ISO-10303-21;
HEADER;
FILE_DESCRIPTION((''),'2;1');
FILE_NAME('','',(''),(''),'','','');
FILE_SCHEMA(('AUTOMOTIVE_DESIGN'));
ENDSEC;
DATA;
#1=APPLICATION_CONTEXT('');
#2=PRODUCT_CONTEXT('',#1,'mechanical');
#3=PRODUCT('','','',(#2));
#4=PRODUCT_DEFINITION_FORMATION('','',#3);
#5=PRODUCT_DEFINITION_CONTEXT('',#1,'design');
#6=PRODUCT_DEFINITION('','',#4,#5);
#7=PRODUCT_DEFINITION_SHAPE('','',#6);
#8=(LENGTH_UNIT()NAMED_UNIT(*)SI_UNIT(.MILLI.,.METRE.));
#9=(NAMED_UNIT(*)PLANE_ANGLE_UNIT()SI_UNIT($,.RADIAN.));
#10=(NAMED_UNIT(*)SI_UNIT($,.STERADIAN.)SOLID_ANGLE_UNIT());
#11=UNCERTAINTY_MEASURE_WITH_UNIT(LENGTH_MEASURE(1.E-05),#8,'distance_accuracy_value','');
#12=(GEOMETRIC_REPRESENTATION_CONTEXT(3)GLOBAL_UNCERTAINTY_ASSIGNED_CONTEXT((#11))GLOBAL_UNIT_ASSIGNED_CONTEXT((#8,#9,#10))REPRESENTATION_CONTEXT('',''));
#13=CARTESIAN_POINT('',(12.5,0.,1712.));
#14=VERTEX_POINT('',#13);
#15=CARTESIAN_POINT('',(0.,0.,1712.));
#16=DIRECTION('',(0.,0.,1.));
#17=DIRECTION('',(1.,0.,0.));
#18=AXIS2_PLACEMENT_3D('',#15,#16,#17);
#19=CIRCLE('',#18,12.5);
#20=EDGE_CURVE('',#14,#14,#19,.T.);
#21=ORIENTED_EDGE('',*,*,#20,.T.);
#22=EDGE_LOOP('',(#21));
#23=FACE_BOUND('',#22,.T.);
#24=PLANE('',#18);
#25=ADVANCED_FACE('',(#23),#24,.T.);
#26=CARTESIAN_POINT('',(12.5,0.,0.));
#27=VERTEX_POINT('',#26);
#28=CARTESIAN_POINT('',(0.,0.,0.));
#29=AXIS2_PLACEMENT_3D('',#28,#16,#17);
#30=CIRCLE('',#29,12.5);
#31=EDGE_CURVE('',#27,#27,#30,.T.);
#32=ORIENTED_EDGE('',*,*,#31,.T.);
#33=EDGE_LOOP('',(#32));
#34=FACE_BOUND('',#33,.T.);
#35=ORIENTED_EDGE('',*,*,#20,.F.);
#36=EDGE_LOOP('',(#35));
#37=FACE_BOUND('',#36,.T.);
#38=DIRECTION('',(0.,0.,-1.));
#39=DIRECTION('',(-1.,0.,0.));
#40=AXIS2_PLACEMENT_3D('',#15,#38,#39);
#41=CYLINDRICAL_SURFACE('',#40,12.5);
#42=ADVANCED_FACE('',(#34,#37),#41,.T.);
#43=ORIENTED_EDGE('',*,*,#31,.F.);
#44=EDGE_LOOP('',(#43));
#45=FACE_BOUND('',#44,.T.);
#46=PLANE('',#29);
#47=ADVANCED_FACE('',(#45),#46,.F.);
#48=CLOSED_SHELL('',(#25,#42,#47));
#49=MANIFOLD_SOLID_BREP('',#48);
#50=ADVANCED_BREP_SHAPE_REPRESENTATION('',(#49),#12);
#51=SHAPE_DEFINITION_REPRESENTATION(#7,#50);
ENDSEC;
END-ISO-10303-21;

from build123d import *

# Parameters (mm, degrees)
SKETCH_1_R      = 12.5
EXTRUDE_1_DEPTH = 1712


with BuildPart() as part:
    # Эскиз1 → Бобышка-Вытянуть1 (new body)
    with BuildSketch(Plane.XY):
        Circle(SKETCH_1_R)
    extrude(amount=EXTRUDE_1_DEPTH)


solid = part.part
